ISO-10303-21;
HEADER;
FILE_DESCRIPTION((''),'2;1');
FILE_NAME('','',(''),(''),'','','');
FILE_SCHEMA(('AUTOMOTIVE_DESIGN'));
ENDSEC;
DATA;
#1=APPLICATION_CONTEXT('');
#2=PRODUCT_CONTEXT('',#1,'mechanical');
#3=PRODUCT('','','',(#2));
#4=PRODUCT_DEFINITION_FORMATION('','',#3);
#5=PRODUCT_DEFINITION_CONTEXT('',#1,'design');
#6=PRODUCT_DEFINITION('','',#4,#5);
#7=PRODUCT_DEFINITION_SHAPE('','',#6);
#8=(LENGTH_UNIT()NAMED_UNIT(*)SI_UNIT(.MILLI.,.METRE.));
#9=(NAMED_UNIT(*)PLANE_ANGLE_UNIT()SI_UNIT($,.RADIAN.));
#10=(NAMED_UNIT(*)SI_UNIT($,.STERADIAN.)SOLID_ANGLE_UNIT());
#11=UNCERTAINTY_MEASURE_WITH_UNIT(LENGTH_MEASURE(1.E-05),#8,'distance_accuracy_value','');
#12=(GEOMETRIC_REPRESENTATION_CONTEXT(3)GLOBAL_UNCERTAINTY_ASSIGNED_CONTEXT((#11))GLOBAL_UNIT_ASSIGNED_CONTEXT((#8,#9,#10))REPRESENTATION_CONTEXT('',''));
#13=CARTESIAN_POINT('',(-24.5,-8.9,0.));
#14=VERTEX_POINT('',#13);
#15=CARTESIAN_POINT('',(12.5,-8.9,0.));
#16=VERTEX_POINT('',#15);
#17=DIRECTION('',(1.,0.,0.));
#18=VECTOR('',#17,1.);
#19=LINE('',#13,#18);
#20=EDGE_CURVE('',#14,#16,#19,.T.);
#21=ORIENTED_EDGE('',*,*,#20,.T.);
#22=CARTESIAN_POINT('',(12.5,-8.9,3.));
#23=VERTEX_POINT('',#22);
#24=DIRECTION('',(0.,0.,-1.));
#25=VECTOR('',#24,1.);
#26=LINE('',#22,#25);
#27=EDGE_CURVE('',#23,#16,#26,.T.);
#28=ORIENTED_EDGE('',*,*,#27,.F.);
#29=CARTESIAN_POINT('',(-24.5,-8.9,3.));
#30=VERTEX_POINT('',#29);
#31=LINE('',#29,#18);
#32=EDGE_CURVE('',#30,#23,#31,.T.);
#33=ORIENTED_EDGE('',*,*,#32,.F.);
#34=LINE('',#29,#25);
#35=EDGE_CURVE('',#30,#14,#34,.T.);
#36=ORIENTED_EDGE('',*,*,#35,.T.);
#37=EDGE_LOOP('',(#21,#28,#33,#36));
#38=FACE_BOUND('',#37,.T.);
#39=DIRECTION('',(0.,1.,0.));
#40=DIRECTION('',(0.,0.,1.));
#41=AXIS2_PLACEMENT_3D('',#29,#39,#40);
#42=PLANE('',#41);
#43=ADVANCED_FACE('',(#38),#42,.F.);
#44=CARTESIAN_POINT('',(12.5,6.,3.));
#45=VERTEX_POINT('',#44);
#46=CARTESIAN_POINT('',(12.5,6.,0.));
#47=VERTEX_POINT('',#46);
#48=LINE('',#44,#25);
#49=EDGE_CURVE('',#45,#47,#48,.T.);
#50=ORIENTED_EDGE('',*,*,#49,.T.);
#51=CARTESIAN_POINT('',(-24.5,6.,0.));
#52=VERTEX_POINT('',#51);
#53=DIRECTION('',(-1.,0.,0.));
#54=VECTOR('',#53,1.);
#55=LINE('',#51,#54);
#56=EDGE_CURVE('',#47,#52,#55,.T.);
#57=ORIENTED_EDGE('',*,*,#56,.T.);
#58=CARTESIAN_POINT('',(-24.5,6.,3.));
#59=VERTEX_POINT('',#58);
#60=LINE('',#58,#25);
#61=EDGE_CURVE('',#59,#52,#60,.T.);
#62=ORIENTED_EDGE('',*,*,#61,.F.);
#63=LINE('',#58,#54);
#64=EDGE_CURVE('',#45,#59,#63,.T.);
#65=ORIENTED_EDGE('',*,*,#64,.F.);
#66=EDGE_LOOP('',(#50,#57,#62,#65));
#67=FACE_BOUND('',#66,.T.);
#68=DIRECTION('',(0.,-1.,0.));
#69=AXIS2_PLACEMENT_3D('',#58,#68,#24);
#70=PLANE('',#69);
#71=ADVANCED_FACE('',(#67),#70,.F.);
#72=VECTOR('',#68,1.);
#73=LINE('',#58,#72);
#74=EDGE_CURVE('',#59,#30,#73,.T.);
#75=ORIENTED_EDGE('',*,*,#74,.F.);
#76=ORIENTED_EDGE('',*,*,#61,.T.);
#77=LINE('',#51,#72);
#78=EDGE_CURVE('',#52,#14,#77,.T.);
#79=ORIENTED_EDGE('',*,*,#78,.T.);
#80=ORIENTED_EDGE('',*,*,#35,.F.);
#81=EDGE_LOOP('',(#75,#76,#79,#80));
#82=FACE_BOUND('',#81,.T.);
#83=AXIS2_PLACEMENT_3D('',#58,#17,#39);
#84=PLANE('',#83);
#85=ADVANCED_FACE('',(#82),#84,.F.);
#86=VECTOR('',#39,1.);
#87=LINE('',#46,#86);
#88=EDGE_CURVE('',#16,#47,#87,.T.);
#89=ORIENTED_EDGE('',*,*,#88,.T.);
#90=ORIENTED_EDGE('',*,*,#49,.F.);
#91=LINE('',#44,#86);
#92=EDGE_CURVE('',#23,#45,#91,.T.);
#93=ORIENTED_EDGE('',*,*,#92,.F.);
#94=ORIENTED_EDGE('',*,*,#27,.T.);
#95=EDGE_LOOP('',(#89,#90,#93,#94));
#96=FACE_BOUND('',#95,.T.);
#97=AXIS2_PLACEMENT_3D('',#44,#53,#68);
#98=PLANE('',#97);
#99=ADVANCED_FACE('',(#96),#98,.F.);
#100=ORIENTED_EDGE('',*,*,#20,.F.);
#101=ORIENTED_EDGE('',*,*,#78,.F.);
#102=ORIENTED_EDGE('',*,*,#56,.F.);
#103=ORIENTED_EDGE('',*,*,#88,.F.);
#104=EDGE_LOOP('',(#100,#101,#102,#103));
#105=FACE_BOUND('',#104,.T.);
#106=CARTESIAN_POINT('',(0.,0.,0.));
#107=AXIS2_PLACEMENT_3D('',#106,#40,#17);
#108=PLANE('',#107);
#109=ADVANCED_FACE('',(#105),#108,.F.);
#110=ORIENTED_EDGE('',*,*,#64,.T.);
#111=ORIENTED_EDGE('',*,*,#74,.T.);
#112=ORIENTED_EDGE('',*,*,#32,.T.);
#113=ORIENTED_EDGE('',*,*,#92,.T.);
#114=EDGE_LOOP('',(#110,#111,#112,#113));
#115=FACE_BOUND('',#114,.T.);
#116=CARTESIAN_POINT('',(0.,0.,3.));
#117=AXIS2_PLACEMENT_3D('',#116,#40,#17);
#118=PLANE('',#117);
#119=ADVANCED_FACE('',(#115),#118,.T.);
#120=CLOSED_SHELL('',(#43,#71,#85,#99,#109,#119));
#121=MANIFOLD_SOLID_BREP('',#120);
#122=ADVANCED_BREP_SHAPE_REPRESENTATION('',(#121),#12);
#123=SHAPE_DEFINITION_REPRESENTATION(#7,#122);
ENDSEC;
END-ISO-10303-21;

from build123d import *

# Parameters (mm, degrees)
SKETCH1_W           = 37
SKETCH1_H           = 14.9
BOSS_EXTRUDE1_DEPTH = 3


with BuildPart() as part:
    # Sketch1 → Boss-Extrude1 (new body)
    with BuildSketch(Plane.XY):
        with Locations((-6, -1.45)):
            Rectangle(SKETCH1_W, SKETCH1_H)
    extrude(amount=BOSS_EXTRUDE1_DEPTH)


solid = part.part
